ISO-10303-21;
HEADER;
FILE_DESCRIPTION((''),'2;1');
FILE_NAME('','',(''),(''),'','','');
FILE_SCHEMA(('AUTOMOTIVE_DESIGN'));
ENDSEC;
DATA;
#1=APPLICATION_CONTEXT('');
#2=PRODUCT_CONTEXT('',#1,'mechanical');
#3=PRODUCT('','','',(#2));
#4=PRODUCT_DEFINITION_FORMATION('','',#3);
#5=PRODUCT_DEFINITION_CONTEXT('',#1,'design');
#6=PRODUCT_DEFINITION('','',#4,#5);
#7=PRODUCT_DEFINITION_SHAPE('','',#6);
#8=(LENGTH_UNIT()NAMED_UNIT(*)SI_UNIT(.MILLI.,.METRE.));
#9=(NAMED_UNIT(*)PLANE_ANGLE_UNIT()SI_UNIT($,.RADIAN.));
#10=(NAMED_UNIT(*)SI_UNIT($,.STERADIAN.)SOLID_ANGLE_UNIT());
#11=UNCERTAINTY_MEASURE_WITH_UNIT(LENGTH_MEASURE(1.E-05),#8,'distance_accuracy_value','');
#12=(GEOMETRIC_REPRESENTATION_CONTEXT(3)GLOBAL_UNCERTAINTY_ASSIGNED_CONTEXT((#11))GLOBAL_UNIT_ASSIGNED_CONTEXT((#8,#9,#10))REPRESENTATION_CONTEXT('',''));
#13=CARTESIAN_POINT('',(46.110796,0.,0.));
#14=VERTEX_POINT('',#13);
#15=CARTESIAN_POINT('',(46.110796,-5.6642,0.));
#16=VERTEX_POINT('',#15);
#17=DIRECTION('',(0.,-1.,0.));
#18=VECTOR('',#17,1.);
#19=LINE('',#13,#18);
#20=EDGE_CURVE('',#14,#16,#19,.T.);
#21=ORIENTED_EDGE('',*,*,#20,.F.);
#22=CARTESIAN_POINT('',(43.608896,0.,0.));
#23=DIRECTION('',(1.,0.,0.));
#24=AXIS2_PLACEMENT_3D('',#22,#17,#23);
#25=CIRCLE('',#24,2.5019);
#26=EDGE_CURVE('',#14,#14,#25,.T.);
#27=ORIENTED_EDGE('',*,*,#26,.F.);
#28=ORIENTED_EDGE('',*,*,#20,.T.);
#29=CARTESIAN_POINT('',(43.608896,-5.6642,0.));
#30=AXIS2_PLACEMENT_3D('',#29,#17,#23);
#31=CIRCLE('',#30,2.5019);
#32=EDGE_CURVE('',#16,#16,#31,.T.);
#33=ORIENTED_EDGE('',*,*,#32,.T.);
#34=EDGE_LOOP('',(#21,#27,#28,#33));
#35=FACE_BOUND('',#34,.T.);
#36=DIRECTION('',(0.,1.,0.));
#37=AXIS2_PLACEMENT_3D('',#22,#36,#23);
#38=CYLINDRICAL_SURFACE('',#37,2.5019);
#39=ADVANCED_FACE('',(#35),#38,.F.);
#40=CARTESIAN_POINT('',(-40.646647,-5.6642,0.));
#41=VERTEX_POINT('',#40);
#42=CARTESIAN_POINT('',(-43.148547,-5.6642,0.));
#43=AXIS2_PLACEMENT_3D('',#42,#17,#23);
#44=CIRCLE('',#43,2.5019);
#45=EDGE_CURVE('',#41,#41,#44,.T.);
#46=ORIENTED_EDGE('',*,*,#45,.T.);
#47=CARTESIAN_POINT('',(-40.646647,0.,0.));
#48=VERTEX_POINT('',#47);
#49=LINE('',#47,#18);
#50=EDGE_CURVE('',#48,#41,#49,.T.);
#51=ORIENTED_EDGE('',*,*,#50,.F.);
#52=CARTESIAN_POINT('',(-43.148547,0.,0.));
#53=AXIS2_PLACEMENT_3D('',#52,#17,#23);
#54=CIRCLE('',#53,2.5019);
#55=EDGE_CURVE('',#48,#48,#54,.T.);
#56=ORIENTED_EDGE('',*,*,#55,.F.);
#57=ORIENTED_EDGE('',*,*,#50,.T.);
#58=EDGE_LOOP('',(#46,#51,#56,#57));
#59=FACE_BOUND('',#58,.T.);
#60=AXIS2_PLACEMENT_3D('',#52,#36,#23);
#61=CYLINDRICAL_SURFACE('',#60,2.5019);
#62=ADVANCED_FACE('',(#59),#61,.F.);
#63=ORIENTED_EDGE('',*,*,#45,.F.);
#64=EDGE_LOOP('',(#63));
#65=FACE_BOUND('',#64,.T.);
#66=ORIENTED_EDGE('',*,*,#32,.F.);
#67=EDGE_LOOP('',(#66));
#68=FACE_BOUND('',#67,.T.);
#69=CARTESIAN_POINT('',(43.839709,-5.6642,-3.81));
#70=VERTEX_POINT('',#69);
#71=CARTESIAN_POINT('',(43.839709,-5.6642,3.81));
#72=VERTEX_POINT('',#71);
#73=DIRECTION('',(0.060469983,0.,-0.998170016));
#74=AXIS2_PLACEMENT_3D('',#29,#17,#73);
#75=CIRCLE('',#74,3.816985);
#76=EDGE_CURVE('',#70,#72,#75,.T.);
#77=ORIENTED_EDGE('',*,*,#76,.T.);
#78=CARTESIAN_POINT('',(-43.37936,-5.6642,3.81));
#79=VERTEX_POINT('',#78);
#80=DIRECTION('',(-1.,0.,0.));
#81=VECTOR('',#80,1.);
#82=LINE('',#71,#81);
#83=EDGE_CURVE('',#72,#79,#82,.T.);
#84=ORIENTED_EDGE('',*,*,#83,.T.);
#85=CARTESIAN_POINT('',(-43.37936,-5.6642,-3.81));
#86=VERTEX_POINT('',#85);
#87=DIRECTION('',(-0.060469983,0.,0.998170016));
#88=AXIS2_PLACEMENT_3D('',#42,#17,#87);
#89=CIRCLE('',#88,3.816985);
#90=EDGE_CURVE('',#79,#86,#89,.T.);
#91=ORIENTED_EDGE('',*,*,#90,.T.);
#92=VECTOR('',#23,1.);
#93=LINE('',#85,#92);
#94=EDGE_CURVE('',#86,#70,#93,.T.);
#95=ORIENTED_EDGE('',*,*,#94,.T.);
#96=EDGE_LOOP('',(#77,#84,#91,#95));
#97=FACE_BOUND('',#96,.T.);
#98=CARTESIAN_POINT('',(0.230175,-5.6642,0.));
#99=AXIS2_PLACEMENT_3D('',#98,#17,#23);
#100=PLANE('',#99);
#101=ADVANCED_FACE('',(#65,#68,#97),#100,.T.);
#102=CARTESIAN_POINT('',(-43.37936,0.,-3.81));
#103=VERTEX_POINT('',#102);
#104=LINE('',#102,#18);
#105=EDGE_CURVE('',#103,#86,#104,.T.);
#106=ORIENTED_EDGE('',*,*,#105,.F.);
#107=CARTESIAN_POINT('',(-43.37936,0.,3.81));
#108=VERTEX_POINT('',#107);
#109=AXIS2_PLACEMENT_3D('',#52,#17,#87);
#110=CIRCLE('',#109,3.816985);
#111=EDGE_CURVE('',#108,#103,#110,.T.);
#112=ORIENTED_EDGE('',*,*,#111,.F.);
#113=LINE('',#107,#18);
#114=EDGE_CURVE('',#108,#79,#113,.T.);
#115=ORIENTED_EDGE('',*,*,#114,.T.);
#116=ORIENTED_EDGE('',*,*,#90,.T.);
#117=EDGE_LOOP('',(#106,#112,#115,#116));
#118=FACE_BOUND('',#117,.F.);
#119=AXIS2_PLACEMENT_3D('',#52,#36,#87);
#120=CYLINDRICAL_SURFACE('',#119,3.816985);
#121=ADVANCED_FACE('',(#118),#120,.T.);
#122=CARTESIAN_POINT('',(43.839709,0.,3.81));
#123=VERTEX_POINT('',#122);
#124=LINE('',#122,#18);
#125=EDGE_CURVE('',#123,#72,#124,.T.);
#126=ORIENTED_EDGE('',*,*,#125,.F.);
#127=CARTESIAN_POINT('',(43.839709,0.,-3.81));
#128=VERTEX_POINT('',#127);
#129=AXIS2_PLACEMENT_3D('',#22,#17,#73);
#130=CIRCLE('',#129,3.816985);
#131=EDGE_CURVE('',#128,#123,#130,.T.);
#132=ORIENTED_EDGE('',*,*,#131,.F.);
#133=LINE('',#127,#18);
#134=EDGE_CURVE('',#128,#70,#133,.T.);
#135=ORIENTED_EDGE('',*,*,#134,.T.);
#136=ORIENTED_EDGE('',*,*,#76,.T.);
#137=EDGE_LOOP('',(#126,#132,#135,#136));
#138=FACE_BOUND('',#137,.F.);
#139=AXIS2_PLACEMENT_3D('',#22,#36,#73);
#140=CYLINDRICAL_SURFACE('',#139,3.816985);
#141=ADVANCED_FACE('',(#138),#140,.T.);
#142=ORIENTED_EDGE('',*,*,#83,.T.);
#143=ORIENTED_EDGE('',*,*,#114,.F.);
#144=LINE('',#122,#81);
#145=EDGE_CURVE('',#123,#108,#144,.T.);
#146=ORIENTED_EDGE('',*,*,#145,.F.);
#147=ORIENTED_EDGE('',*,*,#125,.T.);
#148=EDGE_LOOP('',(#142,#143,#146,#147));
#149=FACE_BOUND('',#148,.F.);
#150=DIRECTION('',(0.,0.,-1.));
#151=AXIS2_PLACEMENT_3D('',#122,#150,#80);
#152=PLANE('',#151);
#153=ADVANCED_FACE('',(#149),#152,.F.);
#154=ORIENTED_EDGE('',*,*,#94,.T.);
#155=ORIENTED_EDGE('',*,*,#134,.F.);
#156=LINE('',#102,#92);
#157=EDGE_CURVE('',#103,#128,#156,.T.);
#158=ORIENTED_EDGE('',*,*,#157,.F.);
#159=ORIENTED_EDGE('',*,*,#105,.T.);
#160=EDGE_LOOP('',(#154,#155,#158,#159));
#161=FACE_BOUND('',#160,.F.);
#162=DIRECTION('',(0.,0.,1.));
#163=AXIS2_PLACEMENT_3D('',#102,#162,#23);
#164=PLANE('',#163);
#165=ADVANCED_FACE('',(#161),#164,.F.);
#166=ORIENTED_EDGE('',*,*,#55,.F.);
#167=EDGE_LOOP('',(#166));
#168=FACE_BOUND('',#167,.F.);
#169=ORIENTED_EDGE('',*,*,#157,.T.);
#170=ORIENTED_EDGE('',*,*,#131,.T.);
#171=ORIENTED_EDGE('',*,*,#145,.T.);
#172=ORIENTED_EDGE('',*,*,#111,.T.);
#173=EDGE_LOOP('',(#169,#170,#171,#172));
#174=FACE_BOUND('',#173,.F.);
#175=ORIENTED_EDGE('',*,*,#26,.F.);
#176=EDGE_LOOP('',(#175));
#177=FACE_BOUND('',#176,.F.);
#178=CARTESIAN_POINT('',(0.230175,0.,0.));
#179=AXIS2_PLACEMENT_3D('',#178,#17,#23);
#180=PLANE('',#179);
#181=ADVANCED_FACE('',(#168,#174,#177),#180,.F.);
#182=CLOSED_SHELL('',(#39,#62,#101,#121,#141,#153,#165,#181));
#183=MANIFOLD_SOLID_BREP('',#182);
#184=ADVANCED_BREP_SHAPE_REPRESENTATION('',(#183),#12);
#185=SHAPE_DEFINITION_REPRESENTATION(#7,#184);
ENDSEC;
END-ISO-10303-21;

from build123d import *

# Parameters (mm, degrees)
F0_R     = 2.5019
F1_DEPTH = 5.6642


with BuildPart() as f1:
    # F0 (on Front) → F1 (new body)
    with BuildSketch(Plane.XZ):
        with BuildLine():
            Line((43.378084, -3.81), (43.839709, -3.81))
            ThreePointArc((43.839709, -3.81), (47.425881, 0), (43.839709, 3.81))
            Line((43.839709, 3.81), (43.378084, 3.81))
            Line((43.378084, 3.81), (-42.917735, 3.81))
            Line((-42.917735, 3.81), (-43.37936, 3.81))
            ThreePointArc((-43.37936, 3.81), (-46.965532, 0), (-43.37936, -3.81))
            Line((-43.37936, -3.81), (-42.917735, -3.81))
            Line((-42.917735, -3.81), (43.378084, -3.81))
        make_face()
        with Locations((-43.148547, 0)):
            Circle(F0_R, mode=Mode.SUBTRACT)
        with Locations((43.608896, 0)):
            Circle(F0_R, mode=Mode.SUBTRACT)
    extrude(amount=F1_DEPTH)


solid = f1.part
